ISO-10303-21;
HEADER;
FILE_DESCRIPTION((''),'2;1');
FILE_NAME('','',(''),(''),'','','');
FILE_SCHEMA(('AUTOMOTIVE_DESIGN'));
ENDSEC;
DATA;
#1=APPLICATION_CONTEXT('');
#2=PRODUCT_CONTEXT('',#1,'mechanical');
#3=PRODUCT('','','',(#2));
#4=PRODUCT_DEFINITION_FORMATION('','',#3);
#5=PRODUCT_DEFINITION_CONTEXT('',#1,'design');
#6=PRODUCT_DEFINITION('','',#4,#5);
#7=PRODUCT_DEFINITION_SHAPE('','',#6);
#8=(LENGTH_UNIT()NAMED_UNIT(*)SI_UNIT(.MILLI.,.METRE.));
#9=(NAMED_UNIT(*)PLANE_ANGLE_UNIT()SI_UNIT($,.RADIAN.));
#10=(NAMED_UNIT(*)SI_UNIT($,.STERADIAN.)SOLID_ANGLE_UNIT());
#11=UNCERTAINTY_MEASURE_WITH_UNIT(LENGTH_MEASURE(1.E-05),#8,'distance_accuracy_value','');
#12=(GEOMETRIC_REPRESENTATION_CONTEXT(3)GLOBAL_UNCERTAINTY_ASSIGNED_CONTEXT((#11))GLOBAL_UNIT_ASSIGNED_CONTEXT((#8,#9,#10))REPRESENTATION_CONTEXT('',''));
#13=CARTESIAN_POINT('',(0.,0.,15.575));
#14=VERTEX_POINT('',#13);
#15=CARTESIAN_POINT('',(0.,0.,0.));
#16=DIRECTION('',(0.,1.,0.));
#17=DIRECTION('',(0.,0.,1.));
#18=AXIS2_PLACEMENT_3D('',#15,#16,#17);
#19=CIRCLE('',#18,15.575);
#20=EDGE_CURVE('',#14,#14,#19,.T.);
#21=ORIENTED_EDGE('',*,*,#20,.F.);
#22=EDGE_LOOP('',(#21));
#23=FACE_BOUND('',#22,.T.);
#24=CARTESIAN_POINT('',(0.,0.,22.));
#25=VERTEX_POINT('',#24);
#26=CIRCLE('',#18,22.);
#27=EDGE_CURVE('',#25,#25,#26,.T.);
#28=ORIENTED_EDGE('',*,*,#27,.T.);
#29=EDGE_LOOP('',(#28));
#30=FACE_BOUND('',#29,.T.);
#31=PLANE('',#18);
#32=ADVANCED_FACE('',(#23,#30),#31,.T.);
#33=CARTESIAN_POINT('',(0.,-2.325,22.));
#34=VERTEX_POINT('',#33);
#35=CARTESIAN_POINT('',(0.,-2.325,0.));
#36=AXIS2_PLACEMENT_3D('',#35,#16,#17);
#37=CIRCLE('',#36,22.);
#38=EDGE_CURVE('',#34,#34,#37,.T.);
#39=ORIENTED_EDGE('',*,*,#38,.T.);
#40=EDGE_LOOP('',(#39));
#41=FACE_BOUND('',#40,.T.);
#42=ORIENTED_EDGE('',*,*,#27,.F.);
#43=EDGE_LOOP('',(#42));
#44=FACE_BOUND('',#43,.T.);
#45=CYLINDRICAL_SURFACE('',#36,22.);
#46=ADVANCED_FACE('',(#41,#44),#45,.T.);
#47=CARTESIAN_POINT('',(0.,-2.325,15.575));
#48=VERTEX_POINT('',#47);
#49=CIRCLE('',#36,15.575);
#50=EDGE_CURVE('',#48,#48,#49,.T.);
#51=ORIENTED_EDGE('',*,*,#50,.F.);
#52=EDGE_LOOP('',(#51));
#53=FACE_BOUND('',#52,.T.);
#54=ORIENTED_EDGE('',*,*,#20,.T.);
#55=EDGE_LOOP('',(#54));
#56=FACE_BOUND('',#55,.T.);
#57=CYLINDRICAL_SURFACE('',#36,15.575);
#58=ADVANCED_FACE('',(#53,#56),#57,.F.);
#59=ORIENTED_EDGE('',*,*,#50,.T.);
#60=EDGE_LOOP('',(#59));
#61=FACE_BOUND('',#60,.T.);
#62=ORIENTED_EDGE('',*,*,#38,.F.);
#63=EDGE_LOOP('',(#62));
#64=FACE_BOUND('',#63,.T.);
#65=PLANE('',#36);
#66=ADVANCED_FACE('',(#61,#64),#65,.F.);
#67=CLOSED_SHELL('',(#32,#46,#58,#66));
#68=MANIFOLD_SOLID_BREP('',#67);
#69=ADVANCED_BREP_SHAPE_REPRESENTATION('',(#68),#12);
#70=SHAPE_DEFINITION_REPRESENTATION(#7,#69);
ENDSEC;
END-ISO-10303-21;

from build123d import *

# Parameters (mm, degrees)
SKETCH1_R           = 22
SKETCH1_R_2         = 15.575
BOSS_EXTRUDE1_DEPTH = 2.325


with BuildPart() as part:
    # Sketch1 → Boss-Extrude1 (new body)
    with BuildSketch(Plane(origin=(0, 0, 0), x_dir=(1, 0, 0), z_dir=(0, 1, 0))):
        with Locations(Location((0, 0, 0), (0, 0, 270))):
            Circle(SKETCH1_R)
        with Locations(Location((0, 0, 0), (0, 0, 270))):
            Circle(SKETCH1_R_2, mode=Mode.SUBTRACT)
    extrude(amount=-BOSS_EXTRUDE1_DEPTH)


solid = part.part
